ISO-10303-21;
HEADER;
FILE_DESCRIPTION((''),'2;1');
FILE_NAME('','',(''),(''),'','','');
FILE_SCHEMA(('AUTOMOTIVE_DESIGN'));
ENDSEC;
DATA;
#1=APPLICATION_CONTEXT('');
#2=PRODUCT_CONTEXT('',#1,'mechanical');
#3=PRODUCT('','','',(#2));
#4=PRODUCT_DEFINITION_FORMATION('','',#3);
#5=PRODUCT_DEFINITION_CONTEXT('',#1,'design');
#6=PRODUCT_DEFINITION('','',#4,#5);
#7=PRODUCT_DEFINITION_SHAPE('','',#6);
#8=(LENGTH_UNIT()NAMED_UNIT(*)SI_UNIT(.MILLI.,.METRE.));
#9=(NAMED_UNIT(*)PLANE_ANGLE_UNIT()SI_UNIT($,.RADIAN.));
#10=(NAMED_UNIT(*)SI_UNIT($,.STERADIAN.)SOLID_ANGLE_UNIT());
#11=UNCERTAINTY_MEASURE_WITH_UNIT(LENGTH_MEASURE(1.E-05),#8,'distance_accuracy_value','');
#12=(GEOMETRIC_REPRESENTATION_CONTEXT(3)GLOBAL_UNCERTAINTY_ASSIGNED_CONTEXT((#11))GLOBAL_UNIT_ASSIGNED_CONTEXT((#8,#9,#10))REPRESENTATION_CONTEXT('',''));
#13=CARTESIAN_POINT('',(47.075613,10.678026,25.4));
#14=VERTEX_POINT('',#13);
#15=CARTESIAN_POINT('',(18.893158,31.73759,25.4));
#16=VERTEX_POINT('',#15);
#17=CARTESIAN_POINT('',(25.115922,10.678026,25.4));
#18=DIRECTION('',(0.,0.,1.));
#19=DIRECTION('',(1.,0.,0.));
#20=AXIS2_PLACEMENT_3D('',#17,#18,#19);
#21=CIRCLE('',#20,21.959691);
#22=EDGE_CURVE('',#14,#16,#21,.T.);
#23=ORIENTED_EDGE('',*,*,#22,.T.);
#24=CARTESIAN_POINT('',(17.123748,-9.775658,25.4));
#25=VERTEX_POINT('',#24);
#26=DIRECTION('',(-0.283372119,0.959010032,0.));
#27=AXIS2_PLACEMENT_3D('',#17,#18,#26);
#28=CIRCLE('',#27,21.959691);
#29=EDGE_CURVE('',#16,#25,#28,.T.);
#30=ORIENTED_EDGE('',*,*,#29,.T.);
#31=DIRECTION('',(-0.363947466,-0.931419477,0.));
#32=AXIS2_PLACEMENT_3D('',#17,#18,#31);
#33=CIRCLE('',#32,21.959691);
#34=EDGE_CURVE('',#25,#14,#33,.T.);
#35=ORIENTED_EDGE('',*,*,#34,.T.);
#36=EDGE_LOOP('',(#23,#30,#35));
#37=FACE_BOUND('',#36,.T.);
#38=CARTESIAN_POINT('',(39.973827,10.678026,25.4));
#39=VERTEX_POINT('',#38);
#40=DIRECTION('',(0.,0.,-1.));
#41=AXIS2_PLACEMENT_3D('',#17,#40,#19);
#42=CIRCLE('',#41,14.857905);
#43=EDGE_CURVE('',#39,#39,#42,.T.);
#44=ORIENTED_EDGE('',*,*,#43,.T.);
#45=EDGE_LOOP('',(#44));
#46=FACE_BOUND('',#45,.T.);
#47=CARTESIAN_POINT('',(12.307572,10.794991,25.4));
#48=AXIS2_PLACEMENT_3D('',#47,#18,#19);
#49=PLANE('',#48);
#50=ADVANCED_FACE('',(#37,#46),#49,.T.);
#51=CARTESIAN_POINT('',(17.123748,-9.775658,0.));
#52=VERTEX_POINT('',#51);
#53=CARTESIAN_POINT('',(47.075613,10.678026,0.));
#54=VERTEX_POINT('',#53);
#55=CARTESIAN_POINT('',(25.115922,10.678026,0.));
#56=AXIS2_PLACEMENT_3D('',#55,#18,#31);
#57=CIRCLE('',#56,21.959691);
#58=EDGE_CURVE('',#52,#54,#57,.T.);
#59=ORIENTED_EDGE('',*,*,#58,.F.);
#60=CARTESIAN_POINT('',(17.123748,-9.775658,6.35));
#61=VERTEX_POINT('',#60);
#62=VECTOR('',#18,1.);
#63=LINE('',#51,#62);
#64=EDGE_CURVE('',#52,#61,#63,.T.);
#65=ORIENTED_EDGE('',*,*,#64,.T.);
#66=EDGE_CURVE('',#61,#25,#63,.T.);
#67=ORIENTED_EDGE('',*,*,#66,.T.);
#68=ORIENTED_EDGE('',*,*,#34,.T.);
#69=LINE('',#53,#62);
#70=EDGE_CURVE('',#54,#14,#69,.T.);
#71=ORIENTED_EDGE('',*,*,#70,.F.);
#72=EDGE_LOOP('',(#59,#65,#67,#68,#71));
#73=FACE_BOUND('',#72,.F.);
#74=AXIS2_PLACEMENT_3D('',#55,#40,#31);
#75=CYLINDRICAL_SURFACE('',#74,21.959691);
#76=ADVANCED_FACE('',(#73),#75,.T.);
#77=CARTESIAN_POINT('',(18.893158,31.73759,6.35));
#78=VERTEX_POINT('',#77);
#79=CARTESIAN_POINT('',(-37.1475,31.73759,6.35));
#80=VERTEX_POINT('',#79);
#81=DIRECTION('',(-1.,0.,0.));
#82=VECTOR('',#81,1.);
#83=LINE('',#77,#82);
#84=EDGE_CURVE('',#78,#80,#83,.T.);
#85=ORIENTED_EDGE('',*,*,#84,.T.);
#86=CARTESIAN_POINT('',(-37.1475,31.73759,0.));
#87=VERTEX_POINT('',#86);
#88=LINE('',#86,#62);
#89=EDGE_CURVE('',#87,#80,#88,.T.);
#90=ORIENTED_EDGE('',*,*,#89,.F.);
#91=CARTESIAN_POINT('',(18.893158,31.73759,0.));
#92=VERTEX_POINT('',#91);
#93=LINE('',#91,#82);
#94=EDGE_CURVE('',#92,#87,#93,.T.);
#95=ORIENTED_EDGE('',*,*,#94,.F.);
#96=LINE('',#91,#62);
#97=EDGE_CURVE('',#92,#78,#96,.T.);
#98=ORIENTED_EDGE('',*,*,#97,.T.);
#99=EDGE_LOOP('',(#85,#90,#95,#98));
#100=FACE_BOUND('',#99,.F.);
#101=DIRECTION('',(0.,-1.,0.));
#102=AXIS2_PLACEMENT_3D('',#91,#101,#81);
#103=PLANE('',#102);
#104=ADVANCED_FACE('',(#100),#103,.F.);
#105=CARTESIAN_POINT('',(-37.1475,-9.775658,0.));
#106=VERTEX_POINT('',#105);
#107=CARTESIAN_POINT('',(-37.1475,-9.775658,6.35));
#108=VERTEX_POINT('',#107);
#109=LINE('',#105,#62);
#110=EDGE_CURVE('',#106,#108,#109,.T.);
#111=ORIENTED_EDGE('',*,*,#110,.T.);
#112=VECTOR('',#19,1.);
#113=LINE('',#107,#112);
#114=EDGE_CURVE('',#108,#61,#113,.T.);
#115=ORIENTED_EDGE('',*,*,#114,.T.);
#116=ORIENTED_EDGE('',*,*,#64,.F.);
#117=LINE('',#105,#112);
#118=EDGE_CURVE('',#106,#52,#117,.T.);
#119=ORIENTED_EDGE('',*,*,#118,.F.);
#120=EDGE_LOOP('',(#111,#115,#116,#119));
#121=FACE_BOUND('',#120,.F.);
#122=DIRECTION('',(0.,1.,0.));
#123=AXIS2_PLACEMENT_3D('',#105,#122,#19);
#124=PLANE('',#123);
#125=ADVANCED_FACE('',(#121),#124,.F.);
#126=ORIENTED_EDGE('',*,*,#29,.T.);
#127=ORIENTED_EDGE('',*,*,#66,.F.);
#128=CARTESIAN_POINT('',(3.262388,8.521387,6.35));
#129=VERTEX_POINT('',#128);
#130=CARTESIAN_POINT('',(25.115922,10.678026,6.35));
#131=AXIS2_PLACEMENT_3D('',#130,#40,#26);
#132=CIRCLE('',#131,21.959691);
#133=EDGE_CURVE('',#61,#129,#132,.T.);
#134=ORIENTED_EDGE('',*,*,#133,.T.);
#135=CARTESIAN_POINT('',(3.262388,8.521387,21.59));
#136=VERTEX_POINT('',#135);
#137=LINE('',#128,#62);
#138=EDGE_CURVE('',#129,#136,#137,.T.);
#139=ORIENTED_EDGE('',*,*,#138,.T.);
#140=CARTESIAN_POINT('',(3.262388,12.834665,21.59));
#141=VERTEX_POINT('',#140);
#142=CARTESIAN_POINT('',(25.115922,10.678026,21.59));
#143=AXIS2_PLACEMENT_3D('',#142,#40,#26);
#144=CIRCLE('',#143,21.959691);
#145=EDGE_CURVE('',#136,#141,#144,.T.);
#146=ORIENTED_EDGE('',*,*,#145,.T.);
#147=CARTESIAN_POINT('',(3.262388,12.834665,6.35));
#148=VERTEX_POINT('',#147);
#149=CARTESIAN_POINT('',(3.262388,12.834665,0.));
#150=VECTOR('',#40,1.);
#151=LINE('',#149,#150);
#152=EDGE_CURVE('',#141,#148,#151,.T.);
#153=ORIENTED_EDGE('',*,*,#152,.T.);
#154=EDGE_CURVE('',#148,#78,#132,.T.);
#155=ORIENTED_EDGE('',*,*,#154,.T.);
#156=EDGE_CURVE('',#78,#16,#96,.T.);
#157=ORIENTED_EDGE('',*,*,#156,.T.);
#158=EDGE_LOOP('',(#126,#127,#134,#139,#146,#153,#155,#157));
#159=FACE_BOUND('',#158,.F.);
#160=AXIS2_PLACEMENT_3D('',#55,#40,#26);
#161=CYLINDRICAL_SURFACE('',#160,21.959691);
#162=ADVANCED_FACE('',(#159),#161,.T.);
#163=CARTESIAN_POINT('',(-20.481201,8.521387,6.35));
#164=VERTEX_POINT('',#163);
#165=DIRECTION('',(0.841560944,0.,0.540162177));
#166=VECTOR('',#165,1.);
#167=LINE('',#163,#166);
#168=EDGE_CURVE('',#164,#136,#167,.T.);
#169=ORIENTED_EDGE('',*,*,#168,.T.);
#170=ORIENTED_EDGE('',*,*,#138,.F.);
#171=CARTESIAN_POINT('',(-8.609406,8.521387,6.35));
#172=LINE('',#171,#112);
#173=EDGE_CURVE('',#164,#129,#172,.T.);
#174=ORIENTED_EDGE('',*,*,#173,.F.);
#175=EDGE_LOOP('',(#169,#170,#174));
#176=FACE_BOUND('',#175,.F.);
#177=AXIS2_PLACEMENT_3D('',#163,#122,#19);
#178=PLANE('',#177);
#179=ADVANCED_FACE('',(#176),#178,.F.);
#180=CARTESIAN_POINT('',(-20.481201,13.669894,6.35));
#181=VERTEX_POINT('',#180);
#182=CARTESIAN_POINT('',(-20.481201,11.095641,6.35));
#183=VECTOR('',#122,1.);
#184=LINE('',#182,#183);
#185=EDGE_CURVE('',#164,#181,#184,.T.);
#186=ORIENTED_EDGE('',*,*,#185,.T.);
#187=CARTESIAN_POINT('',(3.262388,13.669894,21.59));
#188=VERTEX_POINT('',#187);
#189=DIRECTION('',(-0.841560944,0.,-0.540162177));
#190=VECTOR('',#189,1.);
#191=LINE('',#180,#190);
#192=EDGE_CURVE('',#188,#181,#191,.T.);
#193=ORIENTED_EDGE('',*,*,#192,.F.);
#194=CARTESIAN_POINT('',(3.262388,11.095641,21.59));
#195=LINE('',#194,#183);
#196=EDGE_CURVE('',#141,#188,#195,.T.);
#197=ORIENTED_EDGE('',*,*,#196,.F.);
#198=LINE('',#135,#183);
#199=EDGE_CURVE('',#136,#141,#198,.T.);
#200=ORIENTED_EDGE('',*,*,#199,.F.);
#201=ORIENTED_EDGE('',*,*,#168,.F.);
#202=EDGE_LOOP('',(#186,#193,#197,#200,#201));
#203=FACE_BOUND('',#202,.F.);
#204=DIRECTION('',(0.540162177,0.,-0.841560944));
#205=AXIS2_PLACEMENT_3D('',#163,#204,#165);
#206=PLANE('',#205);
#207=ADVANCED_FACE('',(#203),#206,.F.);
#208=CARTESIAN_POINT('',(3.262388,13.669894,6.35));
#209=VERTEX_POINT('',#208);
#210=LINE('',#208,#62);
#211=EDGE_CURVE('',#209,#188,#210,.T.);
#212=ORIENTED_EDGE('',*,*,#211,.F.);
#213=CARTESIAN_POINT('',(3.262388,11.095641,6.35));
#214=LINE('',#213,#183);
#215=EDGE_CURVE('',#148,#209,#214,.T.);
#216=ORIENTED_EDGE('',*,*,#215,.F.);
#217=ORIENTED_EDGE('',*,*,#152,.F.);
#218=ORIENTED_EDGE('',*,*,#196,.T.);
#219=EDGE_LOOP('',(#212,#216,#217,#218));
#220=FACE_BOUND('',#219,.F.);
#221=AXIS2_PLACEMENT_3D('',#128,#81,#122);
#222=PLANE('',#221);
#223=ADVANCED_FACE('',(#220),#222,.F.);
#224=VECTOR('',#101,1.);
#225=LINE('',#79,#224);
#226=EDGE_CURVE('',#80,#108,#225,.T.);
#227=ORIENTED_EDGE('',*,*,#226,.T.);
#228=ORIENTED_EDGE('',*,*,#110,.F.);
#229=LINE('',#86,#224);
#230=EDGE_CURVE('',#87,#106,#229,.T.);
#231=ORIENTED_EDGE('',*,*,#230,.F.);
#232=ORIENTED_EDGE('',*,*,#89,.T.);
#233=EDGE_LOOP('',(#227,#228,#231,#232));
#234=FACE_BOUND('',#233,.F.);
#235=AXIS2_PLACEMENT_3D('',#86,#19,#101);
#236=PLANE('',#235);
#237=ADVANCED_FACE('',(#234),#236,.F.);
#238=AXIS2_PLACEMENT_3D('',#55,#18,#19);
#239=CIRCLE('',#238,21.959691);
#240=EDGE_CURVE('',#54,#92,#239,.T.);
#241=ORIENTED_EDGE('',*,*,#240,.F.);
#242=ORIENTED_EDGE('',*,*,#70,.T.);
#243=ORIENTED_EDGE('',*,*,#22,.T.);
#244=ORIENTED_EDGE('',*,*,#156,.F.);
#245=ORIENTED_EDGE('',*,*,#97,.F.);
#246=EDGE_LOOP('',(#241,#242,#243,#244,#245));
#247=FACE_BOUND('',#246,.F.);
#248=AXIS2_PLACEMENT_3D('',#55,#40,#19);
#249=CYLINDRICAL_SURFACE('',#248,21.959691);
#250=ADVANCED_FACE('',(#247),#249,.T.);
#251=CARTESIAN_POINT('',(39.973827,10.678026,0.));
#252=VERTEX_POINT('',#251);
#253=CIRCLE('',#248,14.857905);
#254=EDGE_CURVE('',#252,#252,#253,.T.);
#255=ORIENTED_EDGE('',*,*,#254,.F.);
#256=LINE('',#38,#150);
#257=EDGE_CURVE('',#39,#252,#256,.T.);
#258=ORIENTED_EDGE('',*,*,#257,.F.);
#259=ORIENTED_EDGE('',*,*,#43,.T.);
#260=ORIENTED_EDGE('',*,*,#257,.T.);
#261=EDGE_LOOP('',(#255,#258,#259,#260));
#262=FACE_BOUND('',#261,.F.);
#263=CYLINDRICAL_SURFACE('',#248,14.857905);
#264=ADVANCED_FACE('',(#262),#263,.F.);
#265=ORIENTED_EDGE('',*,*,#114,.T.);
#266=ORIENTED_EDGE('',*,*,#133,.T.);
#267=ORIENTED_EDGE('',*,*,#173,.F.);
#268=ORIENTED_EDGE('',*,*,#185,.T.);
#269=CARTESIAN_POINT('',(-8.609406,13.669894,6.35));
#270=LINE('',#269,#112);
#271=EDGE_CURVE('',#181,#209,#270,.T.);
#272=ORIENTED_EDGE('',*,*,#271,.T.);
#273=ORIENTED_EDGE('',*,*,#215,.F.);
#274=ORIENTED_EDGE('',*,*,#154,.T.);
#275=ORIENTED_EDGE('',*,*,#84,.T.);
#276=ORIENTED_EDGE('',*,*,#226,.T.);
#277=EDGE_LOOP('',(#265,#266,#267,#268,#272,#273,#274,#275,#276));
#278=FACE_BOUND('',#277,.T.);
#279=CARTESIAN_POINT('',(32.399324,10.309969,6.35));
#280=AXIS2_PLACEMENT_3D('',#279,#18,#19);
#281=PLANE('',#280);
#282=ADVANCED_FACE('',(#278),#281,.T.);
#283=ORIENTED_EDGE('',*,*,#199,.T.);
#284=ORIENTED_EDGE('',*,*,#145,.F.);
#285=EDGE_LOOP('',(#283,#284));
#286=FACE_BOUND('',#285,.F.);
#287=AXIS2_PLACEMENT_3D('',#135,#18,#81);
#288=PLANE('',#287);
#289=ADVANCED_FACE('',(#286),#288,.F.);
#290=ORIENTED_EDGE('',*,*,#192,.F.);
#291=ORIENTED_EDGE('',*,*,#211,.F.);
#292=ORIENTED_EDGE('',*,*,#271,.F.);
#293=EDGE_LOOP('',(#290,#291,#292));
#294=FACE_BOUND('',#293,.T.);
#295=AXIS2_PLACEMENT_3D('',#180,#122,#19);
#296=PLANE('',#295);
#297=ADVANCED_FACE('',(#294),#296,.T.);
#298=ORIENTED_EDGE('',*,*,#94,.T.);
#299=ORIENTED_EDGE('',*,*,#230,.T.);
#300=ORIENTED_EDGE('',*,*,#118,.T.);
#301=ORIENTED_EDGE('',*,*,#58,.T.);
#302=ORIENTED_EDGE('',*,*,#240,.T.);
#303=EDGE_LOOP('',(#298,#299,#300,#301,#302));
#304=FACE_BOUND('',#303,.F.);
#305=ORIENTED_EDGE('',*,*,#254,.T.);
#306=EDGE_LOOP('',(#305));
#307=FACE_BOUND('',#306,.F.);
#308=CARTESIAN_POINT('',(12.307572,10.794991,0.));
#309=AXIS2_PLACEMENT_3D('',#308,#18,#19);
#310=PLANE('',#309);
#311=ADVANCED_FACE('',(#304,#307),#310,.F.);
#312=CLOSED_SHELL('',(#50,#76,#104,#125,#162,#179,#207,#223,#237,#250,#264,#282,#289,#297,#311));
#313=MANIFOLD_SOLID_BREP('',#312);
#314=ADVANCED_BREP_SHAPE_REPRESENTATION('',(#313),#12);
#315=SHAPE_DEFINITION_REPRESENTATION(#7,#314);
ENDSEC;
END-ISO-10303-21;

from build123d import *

# Parameters (mm, degrees)
F1_DEPTH = 25.4
F2_DEPTH = 6.35
F3_W     = 23.7435890902
F3_H     = 5.1485070969
F4_DEPTH = 15.24
F6_DEPTH = 25.4


with BuildPart() as f1:
    # F0 (on Top) → F1 (new body)
    with BuildSketch(Plane.XY):
        with BuildLine():
            Line((18.8931578837, 24.1700439467), (18.8931578837, 31.7375900053))
            ThreePointArc((18.8931578837, 31.7375900053), (3.1761509097, 11.6131597759), (17.1237481406, -9.7756581381))
            Line((17.1237481406, -9.7756581381), (18.8931578837, -9.7756581381))
            Line((18.8931578837, -9.7756581381), (18.8931578837, -2.813992159))
            ThreePointArc((18.8931578837, -2.813992159), (10.25801694, 10.6780258939), (18.8931578837, 24.1700439467))
        make_face()
        with BuildLine():
            ThreePointArc((17.1237481406, -9.7756581381), (37.4998302695, -7.4566605731), (47.0756132336, 10.6780258939))
            ThreePointArc((47.0756132336, 10.6780258939), (38.2608461116, 28.2689044259), (18.8931578837, 31.7375900053))
            Line((18.8931578837, 31.7375900053), (18.8931578837, 24.1700439467))
            ThreePointArc((18.8931578837, 24.1700439467), (33.1252948881, 23.1923094524), (39.9738272468, 10.6780258939))
            ThreePointArc((39.9738272468, 10.6780258939), (33.1252948881, -1.8362576647), (18.8931578837, -2.813992159))
            Line((18.8931578837, -2.813992159), (18.8931578837, -9.7756581381))
            Line((18.8931578837, -9.7756581381), (17.1237481406, -9.7756581381))
        make_face()
    extrude(amount=F1_DEPTH)

    # F0 (on Top) → F2 (join)
    with BuildSketch(Plane.XY):
        with BuildLine():
            ThreePointArc((17.1237481406, -9.7756581381), (37.4998302695, -7.4566605731), (47.0756132336, 10.6780258939))
            ThreePointArc((47.0756132336, 10.6780258939), (38.2608461116, 28.2689044259), (18.8931578837, 31.7375900053))
            Line((18.8931578837, 31.7375900053), (18.8931578837, 24.1700439467))
            ThreePointArc((18.8931578837, 24.1700439467), (33.1252948881, 23.1923094524), (39.9738272468, 10.6780258939))
            ThreePointArc((39.9738272468, 10.6780258939), (33.1252948881, -1.8362576647), (18.8931578837, -2.813992159))
            Line((18.8931578837, -2.813992159), (18.8931578837, -9.7756581381))
            Line((18.8931578837, -9.7756581381), (17.1237481406, -9.7756581381))
        make_face()
        with BuildLine():
            Line((18.8931578837, 24.1700439467), (18.8931578837, 31.7375900053))
            ThreePointArc((18.8931578837, 31.7375900053), (3.1761509097, 11.6131597759), (17.1237481406, -9.7756581381))
            Line((17.1237481406, -9.7756581381), (18.8931578837, -9.7756581381))
            Line((18.8931578837, -9.7756581381), (18.8931578837, -2.813992159))
            ThreePointArc((18.8931578837, -2.813992159), (10.25801694, 10.6780258939), (18.8931578837, 24.1700439467))
        make_face()
        with BuildLine():
            ThreePointArc((17.1237481406, -9.7756581381), (3.1761509097, 11.6131597759), (18.8931578837, 31.7375900053))
            Line((18.8931578837, 31.7375900053), (-37.1474996209, 31.7375900053))
            Line((-37.1474996209, 31.7375900053), (-37.1474996209, -9.7756581381))
            Line((-37.1474996209, -9.7756581381), (17.1237481406, -9.7756581381))
        make_face()
    extrude(amount=F2_DEPTH)

    # F3 (on face) → F4 (join)
    with BuildSketch(Plane.XY.offset(6.35)):
        with Locations((-8.6094063437, 11.0956405284)):
            Rectangle(F3_W, F3_H)
    extrude(amount=F4_DEPTH)

    # F5 (on face) → F6 (cut)
    with BuildSketch(Plane.XZ.offset(-8.52138698)):
        Polygon((-20.4812008888, 6.35), (3.2623882014, 21.59), (-20.4812008888, 21.59), align=None)
    extrude(amount=-F6_DEPTH, mode=Mode.SUBTRACT)


solid = f1.part
